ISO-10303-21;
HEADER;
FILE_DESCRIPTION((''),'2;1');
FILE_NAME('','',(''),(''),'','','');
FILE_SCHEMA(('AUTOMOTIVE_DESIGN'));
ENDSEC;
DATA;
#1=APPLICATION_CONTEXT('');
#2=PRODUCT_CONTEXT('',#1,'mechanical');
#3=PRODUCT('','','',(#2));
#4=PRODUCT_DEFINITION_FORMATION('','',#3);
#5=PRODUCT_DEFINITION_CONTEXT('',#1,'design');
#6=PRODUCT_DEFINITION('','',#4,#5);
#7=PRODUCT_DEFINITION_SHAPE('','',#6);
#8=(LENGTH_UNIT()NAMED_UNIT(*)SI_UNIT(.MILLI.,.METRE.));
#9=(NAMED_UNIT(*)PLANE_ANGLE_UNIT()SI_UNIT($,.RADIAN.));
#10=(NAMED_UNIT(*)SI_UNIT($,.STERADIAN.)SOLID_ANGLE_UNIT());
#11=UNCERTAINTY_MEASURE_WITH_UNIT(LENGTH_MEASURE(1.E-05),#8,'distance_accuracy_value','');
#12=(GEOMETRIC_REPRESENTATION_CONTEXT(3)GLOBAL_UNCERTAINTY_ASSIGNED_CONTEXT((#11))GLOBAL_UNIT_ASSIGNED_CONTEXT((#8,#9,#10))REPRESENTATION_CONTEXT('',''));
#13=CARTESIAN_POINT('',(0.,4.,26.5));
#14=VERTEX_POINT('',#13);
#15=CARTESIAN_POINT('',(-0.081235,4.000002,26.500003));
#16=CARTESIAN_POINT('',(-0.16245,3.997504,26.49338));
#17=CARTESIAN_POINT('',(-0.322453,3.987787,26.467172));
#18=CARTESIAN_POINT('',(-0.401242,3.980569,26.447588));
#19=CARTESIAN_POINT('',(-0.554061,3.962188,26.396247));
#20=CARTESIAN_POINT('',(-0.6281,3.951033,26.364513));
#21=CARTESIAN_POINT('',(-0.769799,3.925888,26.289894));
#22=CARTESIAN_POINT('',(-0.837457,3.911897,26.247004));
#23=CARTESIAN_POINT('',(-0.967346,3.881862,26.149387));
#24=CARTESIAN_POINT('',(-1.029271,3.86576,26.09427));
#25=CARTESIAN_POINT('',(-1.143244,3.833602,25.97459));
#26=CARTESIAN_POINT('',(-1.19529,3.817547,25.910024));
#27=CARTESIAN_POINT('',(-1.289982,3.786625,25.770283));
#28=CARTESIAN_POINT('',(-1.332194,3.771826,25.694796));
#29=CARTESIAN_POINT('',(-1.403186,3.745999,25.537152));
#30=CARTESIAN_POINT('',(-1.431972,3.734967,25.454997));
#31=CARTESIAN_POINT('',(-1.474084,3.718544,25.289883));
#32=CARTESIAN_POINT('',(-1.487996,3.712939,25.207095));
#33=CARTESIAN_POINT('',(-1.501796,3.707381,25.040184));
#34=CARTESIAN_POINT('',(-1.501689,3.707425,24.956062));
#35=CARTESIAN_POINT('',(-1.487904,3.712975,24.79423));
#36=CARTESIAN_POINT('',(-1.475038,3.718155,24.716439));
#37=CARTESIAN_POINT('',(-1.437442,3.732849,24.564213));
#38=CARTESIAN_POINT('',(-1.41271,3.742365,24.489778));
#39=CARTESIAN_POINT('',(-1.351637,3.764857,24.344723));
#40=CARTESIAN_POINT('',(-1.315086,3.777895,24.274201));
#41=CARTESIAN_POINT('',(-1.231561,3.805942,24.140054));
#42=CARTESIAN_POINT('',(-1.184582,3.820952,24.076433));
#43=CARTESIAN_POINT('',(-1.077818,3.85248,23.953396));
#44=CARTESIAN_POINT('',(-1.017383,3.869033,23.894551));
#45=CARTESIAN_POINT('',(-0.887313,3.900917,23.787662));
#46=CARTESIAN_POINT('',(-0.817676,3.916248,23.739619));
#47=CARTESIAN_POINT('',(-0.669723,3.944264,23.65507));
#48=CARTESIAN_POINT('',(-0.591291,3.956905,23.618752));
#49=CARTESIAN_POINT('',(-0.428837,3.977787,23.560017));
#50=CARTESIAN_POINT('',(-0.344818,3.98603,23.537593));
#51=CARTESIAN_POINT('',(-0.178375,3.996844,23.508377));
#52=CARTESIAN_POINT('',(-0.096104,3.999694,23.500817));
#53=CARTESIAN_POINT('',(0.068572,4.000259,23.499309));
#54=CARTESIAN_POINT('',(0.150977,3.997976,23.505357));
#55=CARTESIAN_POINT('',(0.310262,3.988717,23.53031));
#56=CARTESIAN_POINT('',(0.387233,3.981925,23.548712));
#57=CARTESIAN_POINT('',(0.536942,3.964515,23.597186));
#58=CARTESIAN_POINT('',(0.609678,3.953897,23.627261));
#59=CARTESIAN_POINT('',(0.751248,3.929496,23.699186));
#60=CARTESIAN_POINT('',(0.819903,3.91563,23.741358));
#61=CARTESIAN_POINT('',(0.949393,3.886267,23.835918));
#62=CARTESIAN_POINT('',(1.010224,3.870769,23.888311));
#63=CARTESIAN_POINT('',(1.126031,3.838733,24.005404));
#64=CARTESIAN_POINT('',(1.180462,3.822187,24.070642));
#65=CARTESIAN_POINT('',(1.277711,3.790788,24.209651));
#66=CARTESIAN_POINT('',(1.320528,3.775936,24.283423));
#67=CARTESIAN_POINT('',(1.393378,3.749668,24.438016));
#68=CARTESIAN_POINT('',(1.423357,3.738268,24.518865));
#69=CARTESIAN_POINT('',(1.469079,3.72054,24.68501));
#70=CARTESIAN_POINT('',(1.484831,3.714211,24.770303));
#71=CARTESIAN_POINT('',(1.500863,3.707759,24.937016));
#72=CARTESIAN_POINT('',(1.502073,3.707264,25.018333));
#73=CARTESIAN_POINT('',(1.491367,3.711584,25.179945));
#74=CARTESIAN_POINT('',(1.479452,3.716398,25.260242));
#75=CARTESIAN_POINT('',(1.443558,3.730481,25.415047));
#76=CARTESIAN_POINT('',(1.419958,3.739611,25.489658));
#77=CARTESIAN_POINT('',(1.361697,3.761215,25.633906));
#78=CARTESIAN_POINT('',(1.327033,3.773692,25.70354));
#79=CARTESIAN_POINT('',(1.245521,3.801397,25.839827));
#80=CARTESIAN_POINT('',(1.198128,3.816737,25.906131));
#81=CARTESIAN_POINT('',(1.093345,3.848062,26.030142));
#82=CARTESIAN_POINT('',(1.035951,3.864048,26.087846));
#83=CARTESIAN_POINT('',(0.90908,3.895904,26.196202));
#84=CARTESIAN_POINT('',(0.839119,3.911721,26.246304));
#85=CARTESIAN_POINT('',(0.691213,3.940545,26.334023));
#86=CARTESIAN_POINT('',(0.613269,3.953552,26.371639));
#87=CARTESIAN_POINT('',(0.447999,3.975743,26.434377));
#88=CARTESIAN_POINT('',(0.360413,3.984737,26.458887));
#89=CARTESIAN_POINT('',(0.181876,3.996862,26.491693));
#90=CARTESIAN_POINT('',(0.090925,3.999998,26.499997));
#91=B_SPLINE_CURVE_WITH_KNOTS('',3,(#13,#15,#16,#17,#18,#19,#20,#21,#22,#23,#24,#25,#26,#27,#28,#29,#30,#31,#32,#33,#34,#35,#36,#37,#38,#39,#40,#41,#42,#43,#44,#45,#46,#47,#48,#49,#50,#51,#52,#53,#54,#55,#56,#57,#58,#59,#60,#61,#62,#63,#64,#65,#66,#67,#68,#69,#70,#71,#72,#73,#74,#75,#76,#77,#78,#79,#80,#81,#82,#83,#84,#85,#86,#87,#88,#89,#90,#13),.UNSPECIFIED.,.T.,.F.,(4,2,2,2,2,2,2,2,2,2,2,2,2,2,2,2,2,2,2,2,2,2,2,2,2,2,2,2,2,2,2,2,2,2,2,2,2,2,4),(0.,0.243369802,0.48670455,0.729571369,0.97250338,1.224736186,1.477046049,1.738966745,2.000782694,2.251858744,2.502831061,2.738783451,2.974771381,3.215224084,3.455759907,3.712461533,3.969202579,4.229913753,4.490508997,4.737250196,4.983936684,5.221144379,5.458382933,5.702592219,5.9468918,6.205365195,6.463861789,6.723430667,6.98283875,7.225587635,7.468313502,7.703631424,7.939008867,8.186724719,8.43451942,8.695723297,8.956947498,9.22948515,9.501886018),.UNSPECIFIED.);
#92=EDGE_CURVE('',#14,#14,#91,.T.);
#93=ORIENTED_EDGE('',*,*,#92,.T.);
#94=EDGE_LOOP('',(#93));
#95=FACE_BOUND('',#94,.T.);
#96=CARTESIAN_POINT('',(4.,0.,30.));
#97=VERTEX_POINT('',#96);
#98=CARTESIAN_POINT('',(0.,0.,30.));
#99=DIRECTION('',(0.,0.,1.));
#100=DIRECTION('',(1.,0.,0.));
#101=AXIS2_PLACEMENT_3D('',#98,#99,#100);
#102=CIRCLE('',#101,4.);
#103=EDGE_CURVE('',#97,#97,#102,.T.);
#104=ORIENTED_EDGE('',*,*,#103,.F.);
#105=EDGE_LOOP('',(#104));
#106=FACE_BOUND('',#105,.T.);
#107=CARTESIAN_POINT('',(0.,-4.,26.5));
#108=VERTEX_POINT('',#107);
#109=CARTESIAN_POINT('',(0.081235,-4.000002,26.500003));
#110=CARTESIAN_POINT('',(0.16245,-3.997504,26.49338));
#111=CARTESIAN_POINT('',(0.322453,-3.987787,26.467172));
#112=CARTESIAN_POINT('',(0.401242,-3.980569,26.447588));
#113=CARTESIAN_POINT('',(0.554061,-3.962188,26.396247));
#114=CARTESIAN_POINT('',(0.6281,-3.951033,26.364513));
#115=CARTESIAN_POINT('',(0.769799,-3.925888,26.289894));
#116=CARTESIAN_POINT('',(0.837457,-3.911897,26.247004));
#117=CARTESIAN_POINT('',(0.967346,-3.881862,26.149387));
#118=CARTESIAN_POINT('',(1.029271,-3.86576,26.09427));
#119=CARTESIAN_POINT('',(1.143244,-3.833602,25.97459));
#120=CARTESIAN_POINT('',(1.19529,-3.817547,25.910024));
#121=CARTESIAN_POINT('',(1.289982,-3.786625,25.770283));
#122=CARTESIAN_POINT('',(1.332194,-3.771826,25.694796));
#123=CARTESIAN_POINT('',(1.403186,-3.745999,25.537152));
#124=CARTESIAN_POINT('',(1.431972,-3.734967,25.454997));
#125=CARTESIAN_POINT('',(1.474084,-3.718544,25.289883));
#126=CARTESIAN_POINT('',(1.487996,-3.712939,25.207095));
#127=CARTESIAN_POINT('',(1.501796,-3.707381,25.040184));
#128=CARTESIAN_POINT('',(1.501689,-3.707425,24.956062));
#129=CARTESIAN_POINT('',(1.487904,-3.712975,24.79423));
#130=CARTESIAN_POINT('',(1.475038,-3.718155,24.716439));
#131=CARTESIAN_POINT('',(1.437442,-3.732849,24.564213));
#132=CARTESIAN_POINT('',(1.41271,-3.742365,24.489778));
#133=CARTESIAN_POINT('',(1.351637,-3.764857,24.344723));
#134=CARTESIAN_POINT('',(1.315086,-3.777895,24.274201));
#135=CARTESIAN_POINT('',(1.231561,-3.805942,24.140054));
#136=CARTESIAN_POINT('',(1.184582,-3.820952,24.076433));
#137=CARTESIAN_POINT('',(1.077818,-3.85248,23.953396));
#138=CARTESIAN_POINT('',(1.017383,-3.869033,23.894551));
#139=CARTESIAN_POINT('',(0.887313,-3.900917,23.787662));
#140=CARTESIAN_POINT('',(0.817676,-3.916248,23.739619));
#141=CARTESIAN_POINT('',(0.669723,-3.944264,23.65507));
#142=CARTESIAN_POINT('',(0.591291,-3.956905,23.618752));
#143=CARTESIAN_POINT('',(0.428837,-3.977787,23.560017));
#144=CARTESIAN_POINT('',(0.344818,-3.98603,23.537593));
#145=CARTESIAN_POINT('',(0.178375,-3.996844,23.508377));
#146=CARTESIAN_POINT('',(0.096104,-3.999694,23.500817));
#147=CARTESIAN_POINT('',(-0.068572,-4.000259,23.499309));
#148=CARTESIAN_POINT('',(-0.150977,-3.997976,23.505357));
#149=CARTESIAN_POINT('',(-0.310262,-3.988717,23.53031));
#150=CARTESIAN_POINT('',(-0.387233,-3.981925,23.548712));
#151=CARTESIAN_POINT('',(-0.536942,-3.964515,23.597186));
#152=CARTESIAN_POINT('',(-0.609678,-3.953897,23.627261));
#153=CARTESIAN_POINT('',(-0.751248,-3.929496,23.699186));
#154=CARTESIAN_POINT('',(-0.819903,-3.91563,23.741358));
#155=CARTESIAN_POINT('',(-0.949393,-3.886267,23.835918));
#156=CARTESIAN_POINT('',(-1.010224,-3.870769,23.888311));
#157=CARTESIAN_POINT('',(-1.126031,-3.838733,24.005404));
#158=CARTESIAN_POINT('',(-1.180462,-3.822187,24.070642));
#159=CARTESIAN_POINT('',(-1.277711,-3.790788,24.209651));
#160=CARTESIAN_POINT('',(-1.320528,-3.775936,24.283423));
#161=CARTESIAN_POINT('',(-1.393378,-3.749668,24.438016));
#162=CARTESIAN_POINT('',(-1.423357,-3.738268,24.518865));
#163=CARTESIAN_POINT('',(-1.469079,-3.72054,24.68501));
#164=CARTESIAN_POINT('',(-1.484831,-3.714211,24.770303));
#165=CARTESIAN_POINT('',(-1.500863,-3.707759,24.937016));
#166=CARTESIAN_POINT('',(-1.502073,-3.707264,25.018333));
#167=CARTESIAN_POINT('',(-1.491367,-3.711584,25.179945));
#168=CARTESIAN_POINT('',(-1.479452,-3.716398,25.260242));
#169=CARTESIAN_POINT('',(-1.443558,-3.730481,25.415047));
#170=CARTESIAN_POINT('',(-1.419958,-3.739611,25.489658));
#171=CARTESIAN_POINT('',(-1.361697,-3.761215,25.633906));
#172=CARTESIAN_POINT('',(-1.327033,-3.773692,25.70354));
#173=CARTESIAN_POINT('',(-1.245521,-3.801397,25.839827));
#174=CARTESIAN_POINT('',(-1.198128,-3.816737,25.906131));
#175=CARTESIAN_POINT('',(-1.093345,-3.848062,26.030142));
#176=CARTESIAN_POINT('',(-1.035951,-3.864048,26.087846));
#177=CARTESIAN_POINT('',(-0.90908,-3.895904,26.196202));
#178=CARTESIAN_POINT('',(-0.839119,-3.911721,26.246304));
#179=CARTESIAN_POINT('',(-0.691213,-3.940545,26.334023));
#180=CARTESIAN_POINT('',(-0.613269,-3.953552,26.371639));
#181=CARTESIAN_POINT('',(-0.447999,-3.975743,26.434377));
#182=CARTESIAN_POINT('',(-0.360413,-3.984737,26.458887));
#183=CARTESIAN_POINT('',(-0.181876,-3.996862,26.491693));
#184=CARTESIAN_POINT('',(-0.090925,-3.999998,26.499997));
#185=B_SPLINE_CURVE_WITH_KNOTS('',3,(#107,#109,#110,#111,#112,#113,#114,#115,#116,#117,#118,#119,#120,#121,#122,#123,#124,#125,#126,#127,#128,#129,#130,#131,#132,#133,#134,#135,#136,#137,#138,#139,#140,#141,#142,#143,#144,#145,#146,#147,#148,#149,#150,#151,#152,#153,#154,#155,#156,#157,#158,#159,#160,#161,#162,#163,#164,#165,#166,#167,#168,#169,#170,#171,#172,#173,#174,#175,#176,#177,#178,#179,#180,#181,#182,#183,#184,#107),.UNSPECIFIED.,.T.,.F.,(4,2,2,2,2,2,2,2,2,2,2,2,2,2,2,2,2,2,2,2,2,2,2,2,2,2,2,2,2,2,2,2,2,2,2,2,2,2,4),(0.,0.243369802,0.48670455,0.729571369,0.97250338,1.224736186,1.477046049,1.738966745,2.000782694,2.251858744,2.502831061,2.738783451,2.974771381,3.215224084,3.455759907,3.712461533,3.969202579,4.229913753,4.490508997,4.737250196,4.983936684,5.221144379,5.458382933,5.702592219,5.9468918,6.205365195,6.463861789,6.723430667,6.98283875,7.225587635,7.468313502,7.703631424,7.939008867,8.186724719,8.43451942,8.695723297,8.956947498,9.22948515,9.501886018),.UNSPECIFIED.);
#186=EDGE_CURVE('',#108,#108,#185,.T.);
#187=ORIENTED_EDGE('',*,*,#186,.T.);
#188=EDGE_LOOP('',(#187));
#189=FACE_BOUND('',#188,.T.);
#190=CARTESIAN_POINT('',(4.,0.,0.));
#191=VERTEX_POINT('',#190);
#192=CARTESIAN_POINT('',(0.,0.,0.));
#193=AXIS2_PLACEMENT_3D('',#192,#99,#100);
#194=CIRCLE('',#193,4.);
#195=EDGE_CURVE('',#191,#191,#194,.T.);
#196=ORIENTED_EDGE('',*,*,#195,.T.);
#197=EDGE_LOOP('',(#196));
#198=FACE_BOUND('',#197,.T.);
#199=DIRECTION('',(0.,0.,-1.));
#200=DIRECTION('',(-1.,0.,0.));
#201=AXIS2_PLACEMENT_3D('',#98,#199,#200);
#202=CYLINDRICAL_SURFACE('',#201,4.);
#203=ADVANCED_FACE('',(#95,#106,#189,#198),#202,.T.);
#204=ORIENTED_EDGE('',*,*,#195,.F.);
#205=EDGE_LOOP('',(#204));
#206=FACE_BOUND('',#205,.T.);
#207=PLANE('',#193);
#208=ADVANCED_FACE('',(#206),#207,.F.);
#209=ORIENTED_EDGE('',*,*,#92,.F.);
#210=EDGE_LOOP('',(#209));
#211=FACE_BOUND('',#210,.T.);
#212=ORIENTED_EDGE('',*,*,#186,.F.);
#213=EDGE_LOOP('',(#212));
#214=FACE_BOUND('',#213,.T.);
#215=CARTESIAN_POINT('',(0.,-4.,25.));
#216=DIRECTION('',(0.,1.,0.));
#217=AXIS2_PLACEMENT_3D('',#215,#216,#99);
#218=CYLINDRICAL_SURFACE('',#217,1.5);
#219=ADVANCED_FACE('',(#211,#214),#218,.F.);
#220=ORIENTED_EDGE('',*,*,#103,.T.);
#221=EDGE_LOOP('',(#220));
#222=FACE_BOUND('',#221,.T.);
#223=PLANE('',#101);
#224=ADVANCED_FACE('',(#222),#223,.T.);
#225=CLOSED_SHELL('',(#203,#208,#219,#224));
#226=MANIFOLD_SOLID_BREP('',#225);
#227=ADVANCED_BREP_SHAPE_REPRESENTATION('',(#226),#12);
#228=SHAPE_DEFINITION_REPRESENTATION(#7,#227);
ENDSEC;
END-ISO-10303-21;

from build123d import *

# Parameters (mm, degrees)
CROQUIS1_R              = 4
SALIENTE_EXTRUIR1_DEPTH = 30
CROQUIS2_R              = 1.5
CORTAR_EXTRUIR1_DEPTH   = 32.304951685


with BuildPart() as part:
    # Croquis1 → Saliente-Extruir1 (new body)
    with BuildSketch(Plane.XY):
        Circle(CROQUIS1_R)
    extrude(amount=SALIENTE_EXTRUIR1_DEPTH)

    # Croquis2 → Cortar-Extruir1 (cut, through all)
    with BuildSketch(Plane(origin=(0, 4, 0), x_dir=(1, 0, 0), z_dir=(0, 1, 0))):
        with Locations(Location((0, -25, 0), (0, 0, 270))):
            Circle(CROQUIS2_R)
    extrude(amount=-CORTAR_EXTRUIR1_DEPTH, mode=Mode.SUBTRACT)


solid = part.part
